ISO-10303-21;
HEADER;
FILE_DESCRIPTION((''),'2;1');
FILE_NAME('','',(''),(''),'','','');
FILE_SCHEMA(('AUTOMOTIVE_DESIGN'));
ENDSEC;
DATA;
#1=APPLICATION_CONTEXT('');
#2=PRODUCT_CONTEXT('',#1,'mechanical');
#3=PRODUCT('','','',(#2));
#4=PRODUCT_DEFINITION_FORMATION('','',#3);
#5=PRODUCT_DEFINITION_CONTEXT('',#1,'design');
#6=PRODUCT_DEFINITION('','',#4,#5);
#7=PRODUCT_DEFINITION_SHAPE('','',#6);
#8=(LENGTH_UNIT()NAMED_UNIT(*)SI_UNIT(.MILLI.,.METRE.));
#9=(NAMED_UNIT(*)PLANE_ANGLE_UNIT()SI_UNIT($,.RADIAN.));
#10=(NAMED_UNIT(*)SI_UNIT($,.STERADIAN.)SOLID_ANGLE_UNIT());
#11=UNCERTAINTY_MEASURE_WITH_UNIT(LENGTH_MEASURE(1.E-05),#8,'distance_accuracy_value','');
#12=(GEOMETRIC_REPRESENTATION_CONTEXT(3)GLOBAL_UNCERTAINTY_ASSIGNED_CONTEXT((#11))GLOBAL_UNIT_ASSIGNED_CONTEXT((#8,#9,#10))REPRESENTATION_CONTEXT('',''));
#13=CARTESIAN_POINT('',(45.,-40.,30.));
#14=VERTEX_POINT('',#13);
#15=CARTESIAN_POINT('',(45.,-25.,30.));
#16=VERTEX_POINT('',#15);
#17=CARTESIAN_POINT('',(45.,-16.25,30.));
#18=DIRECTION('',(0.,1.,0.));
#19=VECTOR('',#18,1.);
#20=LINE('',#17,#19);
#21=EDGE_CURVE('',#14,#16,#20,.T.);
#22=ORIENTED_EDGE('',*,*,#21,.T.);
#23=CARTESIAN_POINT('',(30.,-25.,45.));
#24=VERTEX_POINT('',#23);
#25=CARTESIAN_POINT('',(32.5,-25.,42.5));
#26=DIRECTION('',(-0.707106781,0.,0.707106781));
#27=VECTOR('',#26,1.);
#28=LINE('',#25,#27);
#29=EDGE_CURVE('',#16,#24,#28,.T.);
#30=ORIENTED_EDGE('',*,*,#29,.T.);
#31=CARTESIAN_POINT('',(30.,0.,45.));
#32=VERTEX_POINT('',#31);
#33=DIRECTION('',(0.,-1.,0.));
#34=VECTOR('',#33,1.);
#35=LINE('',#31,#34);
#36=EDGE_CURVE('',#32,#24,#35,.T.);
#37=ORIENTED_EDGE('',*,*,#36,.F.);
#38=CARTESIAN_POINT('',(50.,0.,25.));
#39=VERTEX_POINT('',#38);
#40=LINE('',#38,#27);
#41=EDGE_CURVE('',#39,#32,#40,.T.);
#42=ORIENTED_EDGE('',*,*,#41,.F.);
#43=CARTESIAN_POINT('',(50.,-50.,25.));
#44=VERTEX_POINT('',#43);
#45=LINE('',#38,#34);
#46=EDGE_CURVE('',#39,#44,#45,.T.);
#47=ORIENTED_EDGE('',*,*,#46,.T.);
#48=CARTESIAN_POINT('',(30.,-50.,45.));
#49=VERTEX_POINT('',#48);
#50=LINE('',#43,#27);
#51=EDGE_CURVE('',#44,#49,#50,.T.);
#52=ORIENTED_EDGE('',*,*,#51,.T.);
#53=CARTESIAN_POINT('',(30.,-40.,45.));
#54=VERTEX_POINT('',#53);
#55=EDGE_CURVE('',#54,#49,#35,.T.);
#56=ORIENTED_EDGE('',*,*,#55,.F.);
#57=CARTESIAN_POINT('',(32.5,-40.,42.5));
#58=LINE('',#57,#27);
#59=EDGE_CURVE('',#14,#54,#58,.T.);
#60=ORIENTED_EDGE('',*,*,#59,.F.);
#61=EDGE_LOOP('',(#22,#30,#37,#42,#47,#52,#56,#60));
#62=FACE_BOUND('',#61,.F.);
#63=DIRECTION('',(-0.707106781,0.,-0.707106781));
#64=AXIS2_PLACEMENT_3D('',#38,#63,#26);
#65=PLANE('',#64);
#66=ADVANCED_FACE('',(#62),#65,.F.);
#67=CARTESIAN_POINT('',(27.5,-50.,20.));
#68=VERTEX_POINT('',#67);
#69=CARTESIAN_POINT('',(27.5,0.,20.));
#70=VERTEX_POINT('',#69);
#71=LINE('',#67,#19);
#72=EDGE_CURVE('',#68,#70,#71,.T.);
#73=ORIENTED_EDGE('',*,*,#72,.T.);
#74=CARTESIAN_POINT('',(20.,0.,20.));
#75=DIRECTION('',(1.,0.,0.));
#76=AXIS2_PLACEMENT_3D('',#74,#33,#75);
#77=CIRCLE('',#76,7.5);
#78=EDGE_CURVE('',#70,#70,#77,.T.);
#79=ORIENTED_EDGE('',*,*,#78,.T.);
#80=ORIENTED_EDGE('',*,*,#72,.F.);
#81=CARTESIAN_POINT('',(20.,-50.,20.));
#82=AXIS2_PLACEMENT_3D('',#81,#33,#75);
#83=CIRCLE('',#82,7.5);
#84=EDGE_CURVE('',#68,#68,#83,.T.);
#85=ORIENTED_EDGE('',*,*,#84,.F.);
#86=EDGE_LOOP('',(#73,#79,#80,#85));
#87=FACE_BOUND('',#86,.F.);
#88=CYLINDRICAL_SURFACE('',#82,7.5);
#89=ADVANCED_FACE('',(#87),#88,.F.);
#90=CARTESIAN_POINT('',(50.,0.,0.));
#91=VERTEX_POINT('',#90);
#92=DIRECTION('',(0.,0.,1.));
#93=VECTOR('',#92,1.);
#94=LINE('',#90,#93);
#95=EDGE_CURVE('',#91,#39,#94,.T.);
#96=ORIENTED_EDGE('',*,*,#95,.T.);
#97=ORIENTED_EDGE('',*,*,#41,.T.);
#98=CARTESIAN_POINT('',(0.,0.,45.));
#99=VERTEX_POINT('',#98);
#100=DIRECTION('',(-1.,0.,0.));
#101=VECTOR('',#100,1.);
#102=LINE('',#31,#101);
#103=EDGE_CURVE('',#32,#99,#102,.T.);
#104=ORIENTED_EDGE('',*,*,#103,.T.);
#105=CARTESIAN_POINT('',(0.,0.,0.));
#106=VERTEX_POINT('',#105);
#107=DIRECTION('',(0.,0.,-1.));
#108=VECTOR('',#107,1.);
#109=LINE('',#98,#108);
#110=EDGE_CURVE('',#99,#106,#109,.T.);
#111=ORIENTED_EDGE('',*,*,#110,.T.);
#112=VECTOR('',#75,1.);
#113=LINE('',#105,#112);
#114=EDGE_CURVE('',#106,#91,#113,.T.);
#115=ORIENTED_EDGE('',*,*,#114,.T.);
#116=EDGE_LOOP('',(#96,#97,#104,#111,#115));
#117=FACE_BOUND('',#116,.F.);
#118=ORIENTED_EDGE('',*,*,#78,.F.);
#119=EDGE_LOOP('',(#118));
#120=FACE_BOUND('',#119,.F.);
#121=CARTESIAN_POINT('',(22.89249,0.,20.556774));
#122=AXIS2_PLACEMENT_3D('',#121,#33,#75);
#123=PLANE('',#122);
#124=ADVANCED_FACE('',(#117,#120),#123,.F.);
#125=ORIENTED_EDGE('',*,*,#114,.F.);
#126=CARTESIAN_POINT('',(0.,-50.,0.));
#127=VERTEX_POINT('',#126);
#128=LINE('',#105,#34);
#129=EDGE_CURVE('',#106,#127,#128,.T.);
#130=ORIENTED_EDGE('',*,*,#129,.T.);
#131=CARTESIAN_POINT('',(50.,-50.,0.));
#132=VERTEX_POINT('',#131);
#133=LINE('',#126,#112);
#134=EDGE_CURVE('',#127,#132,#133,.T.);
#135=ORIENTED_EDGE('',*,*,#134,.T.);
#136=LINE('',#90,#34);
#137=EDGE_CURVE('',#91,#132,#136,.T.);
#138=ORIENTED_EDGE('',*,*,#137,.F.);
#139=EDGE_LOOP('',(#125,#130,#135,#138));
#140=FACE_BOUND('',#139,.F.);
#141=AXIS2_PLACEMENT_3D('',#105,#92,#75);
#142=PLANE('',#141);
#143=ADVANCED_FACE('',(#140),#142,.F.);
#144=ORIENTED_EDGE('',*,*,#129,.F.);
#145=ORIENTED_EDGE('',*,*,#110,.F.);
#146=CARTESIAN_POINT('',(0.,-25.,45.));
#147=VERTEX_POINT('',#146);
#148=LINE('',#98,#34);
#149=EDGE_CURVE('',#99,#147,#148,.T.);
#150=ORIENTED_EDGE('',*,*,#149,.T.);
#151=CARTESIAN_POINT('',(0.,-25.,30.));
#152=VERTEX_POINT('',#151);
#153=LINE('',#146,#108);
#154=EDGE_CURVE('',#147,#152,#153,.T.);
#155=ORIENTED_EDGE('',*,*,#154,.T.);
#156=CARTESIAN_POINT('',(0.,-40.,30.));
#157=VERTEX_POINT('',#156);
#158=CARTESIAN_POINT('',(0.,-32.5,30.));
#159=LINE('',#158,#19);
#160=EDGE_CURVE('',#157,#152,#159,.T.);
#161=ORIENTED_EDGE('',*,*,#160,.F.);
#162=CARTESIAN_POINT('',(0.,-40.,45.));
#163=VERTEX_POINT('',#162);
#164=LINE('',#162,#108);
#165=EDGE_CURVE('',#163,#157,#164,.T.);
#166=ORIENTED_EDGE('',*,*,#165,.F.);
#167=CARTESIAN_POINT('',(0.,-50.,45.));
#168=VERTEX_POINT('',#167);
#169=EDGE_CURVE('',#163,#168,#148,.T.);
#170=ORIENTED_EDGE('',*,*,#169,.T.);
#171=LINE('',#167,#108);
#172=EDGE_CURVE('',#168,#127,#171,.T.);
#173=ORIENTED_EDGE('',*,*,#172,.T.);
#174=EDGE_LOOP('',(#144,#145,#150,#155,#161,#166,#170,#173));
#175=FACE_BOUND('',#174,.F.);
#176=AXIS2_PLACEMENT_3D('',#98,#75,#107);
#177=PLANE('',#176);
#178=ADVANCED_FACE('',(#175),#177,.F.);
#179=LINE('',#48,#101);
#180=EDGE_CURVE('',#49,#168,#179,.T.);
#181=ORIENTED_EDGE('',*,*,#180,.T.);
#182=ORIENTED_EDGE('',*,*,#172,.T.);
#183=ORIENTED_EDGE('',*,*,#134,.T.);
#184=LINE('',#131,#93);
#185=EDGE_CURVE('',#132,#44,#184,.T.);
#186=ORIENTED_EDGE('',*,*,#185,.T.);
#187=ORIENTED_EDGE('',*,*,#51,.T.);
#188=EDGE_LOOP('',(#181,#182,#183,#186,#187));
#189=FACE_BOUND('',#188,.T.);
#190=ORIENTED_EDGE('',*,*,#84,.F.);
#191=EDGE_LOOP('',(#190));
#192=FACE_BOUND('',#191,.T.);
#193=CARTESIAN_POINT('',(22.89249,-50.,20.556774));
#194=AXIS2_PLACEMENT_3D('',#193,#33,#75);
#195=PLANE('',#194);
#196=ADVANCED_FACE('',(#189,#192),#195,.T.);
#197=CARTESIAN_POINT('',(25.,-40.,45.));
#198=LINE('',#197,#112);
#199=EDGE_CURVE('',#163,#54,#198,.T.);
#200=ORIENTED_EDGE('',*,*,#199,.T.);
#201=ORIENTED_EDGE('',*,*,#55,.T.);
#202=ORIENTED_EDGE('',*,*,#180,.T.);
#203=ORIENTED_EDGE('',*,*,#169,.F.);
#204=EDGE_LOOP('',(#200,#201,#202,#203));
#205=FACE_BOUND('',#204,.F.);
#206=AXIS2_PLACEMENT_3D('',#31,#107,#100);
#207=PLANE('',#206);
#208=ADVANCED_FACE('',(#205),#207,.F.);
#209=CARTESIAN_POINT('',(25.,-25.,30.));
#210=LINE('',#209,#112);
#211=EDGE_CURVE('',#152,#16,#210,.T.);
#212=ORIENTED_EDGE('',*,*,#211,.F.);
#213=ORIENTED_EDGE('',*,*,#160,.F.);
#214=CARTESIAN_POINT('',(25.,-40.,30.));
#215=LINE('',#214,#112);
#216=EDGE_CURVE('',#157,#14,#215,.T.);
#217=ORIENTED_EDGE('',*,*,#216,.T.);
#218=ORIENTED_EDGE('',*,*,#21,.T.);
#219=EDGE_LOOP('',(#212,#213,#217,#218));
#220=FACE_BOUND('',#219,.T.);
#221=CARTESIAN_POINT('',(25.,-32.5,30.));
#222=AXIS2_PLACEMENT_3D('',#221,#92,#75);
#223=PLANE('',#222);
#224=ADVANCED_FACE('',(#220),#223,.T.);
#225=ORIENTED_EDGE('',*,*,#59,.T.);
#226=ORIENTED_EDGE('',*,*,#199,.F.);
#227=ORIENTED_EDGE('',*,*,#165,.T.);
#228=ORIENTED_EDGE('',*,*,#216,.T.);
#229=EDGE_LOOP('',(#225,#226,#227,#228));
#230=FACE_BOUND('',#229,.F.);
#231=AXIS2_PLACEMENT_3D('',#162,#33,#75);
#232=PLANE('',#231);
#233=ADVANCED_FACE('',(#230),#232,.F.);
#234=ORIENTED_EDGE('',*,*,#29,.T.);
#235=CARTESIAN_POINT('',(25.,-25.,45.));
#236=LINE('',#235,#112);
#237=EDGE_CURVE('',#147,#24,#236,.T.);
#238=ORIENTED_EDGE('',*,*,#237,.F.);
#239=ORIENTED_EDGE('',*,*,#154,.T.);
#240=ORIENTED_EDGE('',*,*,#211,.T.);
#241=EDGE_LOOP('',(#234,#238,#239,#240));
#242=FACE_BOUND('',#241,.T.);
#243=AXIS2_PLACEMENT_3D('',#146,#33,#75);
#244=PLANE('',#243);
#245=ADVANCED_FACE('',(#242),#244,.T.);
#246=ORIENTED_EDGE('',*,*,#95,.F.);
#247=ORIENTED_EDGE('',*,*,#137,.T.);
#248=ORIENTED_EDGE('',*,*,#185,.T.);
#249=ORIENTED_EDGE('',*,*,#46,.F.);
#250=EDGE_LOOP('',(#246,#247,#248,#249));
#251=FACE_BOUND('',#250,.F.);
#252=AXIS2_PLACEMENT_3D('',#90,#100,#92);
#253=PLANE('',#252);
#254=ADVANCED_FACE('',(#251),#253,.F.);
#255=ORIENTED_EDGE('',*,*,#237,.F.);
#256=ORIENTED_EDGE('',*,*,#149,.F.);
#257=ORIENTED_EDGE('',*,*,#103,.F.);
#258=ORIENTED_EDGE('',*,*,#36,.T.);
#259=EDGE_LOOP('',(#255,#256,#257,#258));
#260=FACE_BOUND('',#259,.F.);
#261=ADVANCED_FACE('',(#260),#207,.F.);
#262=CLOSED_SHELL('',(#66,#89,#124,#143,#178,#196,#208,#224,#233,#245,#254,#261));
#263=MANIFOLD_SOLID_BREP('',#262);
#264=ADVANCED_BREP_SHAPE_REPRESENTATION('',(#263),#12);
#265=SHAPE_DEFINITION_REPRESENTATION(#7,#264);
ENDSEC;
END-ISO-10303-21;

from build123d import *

# Parameters (mm, degrees)
F1_DEPTH = 50
F2_R     = 7.5
F3_DEPTH = 50.001
F5_W     = 50
F5_H     = 15
F6_DEPTH = 15


with BuildPart() as f1:
    # F0 (on Front) → F1 (new body)
    with BuildSketch(Plane.XZ):
        Polygon((0, 45), (0, 0), (50, 0), (50, 25), (30, 45), align=None)
    extrude(amount=F1_DEPTH)

    # F2 (on face) → F3 (cut, through all)
    with BuildSketch(Plane.XZ.offset(50)):
        with Locations((20, 20)):
            Circle(F2_R)
    extrude(amount=-F3_DEPTH, mode=Mode.SUBTRACT)

    # F5 (on face) → F6 (cut, through all)
    with BuildSketch(Plane.XY.offset(45)):
        with Locations((25, -32.5)):
            Rectangle(F5_W, F5_H)
    extrude(amount=-F6_DEPTH, mode=Mode.SUBTRACT)


solid = f1.part
